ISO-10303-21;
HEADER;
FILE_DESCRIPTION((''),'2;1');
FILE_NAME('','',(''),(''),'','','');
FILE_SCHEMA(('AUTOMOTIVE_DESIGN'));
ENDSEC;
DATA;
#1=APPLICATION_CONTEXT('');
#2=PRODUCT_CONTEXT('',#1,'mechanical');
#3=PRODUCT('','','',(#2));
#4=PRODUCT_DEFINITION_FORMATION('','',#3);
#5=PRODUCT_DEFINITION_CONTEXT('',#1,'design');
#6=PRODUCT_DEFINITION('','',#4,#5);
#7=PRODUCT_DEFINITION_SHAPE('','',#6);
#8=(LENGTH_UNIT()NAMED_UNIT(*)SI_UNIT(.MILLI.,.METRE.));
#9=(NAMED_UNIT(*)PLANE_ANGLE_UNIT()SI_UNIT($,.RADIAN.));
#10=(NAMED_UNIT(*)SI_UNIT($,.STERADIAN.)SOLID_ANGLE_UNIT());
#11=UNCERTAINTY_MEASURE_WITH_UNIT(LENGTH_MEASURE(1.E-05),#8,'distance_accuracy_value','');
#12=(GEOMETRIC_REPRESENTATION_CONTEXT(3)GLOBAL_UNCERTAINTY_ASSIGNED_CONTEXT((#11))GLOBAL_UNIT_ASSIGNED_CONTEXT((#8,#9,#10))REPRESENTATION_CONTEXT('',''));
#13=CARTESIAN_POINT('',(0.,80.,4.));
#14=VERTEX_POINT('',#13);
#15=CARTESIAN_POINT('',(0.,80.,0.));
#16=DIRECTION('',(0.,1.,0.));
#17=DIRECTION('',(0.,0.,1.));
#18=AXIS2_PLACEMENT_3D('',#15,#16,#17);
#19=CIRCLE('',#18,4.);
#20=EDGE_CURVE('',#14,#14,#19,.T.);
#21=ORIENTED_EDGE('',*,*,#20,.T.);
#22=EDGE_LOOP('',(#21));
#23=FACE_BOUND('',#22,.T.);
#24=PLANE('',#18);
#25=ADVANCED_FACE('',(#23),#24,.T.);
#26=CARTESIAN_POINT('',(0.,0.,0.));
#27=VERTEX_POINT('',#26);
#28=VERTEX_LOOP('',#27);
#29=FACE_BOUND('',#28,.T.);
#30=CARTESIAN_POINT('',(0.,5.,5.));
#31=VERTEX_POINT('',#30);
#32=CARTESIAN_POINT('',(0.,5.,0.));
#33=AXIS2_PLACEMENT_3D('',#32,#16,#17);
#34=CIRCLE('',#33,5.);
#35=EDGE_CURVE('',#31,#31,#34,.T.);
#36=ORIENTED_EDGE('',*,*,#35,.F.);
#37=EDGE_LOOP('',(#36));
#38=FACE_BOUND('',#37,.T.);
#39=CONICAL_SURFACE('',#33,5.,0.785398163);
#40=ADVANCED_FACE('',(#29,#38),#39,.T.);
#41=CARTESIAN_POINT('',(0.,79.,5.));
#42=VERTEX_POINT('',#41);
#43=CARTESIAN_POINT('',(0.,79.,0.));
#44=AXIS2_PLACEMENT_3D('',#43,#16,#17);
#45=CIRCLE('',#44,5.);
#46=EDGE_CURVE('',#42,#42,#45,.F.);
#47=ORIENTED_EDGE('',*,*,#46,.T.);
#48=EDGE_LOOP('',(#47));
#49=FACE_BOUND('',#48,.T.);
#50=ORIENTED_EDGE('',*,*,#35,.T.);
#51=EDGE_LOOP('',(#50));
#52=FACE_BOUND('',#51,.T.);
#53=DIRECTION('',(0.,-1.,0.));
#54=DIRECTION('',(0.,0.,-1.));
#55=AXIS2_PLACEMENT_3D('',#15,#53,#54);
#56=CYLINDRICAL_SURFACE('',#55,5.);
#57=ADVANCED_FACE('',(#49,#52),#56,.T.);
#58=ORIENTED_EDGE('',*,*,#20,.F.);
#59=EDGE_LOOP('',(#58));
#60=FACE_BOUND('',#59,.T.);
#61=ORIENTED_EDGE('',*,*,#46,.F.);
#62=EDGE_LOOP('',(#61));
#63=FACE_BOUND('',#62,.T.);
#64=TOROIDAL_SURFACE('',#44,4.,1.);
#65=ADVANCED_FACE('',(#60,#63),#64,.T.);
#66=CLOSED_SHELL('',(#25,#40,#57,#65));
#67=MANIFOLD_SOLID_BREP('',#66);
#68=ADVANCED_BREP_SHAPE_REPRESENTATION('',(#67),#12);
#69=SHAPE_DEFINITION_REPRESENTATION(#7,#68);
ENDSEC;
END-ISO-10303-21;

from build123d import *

# Parameters (mm, degrees)
SKETCH1_R           = 5
BOSS_EXTRUDE1_DEPTH = 80
CHAMFER1_SIZE       = 5
FILLET1_R           = 1


with BuildPart() as part:
    # Sketch1 → Boss-Extrude1 (new body)
    with BuildSketch(Plane(origin=(0, 0, 0), x_dir=(1, 0, 0), z_dir=(0, 1, 0))):
        with Locations(Location((0, 0, 0), (0, 0, 270))):
            Circle(SKETCH1_R)
    extrude(amount=BOSS_EXTRUDE1_DEPTH)

    # Chamfer1
    chamfer1_edges = [part.edges().sort_by_distance(p)[0] for p in [
        (0, 0, -5),
    ]]
    chamfer(chamfer1_edges, length=CHAMFER1_SIZE)

    # Fillet1
    fillet1_edges = [part.edges().sort_by_distance(p)[0] for p in [
        (0, 80, -5),
    ]]
    fillet(fillet1_edges, radius=FILLET1_R)


solid = part.part
